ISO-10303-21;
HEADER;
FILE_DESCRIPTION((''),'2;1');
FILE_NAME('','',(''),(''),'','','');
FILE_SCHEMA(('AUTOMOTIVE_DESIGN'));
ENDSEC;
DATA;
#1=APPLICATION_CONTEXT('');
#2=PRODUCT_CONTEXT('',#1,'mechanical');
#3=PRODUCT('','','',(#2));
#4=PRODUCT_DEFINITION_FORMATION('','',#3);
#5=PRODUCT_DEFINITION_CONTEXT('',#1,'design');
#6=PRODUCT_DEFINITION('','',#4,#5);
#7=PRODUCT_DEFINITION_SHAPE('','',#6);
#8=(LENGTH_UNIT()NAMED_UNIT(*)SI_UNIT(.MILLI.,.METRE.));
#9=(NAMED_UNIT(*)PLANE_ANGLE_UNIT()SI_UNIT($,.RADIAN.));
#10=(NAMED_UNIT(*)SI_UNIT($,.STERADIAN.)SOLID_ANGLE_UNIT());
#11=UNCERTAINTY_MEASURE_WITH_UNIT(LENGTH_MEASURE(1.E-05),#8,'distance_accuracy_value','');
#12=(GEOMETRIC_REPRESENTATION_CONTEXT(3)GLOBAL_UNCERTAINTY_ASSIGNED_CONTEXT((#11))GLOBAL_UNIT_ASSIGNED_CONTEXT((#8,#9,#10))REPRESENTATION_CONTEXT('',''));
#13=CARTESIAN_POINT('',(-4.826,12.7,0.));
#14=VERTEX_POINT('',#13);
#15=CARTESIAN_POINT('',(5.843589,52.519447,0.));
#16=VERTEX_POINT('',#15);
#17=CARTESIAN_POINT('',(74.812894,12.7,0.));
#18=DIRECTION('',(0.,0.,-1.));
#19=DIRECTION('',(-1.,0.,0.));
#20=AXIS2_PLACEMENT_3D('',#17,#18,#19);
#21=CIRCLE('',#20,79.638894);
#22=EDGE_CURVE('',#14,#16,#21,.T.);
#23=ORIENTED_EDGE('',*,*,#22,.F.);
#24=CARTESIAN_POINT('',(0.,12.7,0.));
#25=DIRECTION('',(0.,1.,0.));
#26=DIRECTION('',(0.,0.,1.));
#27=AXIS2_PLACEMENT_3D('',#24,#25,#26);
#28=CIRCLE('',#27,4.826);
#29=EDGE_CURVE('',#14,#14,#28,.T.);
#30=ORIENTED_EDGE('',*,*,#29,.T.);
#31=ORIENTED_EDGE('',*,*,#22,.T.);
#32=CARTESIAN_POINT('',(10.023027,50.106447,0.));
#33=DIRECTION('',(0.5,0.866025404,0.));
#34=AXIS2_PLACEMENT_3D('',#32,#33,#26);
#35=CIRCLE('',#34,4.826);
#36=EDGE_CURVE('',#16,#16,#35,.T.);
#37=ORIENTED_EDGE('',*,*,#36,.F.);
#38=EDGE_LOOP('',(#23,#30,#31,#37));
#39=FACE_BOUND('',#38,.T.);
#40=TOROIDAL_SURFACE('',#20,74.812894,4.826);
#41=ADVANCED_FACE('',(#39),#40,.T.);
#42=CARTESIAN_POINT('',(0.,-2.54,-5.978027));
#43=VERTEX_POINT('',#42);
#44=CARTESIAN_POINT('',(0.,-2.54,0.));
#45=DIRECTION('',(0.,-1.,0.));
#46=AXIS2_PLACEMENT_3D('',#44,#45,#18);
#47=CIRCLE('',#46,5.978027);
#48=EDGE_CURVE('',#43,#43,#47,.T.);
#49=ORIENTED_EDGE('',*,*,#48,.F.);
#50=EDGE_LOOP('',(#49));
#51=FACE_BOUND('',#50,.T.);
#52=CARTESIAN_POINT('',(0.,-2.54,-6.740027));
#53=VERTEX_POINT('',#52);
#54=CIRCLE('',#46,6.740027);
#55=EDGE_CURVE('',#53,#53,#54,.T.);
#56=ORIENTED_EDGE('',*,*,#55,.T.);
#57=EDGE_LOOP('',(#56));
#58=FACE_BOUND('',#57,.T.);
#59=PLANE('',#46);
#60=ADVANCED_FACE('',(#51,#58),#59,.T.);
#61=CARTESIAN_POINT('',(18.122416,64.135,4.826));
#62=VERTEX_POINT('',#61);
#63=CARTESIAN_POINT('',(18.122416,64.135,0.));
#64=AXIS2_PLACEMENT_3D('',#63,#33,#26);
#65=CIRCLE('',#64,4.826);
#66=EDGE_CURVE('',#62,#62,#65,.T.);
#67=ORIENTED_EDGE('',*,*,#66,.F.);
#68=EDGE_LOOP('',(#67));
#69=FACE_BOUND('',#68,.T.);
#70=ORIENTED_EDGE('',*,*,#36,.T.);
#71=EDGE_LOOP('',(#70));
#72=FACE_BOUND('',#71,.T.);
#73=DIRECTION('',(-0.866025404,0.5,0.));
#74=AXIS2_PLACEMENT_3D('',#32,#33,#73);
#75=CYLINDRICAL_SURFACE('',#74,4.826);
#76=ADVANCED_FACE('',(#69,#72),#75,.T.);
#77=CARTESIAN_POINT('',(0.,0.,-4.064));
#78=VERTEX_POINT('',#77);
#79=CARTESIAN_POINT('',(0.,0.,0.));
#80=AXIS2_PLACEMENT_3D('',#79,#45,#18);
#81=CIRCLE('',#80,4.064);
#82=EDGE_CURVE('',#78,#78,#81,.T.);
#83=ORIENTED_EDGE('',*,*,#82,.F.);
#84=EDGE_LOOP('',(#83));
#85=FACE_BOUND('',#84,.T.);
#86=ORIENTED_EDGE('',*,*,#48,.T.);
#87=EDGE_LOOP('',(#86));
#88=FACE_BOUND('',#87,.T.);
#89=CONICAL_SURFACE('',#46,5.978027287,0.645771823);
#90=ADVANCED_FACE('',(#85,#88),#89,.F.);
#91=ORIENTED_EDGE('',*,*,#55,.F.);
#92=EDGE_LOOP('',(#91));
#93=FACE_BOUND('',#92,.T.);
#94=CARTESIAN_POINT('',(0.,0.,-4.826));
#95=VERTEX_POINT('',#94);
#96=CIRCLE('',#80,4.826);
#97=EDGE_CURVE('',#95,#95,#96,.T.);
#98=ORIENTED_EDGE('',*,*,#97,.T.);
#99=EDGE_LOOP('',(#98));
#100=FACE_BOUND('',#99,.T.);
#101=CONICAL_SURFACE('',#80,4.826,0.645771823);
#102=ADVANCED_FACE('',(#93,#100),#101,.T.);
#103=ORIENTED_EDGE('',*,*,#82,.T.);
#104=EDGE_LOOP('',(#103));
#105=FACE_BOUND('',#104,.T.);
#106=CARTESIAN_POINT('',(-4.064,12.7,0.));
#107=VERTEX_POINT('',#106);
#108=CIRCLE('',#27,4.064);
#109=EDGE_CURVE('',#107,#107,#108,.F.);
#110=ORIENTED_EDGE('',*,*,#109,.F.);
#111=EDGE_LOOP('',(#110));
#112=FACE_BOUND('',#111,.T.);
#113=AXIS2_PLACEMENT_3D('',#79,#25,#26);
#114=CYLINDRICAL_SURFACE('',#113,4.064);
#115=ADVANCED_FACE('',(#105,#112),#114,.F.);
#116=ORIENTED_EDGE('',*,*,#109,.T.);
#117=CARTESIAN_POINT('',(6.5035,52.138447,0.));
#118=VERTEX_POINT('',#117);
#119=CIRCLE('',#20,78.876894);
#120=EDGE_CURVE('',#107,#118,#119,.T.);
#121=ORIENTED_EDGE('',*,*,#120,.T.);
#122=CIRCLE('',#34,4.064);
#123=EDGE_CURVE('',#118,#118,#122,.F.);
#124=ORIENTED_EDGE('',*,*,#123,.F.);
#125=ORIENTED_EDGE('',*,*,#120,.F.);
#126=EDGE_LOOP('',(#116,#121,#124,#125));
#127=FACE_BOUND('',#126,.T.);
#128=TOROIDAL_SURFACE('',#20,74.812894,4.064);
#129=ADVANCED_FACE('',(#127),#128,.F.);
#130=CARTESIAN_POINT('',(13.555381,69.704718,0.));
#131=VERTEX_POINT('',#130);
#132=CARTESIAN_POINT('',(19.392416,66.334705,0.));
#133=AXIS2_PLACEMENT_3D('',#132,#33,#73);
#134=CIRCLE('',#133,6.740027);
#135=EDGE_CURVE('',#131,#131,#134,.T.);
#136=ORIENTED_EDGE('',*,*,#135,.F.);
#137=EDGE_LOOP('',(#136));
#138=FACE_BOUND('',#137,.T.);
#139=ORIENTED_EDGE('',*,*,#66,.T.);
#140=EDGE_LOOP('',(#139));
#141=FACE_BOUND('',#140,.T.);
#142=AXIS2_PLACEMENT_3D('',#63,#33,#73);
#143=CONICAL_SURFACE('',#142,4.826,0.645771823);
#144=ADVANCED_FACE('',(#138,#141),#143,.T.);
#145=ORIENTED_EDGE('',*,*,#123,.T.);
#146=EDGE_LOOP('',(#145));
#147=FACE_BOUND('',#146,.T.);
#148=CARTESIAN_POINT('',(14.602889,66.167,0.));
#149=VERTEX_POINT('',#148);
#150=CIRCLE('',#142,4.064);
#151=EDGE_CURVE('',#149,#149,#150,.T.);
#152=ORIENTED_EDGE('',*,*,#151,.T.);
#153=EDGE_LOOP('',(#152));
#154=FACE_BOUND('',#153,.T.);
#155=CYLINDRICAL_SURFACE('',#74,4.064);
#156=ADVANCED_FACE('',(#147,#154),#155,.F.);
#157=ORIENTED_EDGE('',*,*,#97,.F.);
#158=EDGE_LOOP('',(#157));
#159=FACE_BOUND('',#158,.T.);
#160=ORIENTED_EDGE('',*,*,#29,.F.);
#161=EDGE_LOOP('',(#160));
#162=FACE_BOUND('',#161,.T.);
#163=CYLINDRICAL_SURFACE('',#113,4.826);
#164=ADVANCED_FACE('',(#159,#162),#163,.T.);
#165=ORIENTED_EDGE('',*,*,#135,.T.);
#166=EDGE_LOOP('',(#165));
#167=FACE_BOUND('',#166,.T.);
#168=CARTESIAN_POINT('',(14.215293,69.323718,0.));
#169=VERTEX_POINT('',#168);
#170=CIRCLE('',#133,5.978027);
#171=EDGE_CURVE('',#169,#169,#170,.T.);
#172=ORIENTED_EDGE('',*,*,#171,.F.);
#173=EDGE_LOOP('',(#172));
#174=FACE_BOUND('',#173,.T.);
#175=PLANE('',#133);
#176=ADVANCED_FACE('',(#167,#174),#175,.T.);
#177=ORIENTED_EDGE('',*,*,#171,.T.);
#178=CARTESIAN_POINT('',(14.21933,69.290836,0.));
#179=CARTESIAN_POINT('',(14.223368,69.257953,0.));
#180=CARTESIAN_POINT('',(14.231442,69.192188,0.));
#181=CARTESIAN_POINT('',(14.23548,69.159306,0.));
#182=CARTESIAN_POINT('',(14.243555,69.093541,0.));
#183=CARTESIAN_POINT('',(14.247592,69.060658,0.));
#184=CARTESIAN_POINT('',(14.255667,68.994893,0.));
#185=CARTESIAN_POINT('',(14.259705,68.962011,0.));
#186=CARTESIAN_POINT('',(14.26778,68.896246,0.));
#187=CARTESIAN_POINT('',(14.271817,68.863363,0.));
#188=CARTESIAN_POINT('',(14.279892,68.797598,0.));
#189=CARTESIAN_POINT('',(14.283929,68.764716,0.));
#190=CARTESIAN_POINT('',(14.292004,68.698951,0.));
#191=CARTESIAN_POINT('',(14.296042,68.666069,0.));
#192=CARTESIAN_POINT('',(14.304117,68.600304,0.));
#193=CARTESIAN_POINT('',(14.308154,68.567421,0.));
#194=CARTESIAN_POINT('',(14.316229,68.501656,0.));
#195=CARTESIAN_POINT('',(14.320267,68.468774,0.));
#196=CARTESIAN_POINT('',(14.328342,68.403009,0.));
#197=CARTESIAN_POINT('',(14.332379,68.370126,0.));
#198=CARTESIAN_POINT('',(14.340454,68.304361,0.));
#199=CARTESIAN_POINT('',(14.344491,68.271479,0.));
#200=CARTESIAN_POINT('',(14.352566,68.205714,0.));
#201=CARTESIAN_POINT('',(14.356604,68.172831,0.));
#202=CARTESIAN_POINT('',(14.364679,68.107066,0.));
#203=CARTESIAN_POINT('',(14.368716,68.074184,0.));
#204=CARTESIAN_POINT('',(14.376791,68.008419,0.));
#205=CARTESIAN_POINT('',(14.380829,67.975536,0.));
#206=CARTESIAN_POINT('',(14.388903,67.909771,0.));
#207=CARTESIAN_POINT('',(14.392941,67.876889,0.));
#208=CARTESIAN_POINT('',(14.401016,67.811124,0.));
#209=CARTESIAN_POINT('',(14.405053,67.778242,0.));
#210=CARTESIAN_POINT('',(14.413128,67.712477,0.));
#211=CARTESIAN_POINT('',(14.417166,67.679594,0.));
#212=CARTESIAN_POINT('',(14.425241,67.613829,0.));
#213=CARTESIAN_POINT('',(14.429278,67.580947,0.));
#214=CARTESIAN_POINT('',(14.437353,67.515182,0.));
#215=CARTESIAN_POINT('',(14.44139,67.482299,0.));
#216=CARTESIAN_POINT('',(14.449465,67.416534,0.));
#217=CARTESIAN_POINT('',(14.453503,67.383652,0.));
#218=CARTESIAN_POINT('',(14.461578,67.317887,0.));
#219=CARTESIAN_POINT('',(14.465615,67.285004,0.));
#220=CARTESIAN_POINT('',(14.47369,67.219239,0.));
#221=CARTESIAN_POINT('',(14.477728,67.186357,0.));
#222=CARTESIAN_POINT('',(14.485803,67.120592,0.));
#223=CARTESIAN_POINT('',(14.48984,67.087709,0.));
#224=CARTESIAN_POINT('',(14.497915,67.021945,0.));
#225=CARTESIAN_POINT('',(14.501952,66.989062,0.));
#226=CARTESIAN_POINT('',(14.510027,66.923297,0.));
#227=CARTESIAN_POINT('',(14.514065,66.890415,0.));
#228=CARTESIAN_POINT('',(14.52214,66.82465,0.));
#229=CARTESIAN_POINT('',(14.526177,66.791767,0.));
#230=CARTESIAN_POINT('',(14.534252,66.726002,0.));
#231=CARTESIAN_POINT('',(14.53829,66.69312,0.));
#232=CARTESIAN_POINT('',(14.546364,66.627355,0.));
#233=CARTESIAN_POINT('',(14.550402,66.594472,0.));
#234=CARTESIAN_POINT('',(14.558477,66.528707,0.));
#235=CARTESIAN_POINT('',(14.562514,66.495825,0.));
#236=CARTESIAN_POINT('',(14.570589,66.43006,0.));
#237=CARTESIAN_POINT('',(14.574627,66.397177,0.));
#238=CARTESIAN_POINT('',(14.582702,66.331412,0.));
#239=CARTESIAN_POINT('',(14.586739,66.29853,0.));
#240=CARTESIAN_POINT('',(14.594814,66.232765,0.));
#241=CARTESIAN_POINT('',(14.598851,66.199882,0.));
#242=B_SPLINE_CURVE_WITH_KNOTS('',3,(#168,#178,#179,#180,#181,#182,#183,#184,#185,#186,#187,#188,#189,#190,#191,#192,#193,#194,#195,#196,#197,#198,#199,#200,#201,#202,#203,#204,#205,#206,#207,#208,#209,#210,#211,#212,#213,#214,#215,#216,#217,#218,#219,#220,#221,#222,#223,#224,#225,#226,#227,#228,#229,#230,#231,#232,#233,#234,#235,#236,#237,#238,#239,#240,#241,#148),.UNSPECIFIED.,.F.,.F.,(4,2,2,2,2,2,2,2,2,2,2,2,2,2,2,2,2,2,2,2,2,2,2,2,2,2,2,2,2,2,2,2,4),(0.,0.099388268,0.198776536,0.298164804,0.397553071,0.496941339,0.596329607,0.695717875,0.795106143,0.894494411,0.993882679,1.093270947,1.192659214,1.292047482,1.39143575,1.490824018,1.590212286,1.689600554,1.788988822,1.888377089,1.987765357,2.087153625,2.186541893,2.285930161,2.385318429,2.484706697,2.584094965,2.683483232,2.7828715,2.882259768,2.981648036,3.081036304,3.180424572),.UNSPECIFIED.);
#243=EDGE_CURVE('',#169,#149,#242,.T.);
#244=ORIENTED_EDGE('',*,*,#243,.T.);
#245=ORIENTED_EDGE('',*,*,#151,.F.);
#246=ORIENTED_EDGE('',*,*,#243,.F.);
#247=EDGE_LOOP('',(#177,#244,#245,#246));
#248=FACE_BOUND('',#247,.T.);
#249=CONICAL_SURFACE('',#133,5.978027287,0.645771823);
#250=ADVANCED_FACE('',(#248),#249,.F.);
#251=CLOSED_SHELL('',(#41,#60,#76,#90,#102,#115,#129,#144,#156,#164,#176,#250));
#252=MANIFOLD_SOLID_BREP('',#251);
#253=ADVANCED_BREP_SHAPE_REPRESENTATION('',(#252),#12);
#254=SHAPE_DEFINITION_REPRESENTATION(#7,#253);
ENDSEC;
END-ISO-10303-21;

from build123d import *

# Parameters (mm, degrees)
SKETCH1_R           = 4.826
SKETCH1_R_2         = 4.064
SKETCH3_R           = 4.826
BOSS_EXTRUDE1_DEPTH = 2.54
BOSS_EXTRUDE1_DRAFT = -37
SKETCH5_R           = 4.826
BOSS_EXTRUDE2_DEPTH = 2.54
BOSS_EXTRUDE2_DRAFT = -37


with BuildPart() as part:
    # Sweep1: sweep along a path in Sketch2
    with BuildLine(Plane.XY) as sweep1_path:
        Line((0, 0), (0, 12.7))
        ThreePointArc((0, 12.7), (2.549187543, 32.063001763), (10.023027253, 50.106446956))
        Line((10.023027253, 50.106446956), (18.12241613, 64.135))
    # Sketch1 → Sweep1 (sweep)
    with BuildSketch(Plane(origin=(0, 0, 0), x_dir=(1, 0, 0), z_dir=(0, 1, 0))):
        Circle(SKETCH1_R)
        Circle(SKETCH1_R_2, mode=Mode.SUBTRACT)
    sweep(path=sweep1_path.line)


with BuildPart() as boss_extrude1_tool:
    # Sketch3 → Boss-Extrude1 (with draft: the straight prism first)
    with BuildSketch(Plane.XZ):
        with Locations(Location((0, 0, 0), (0, 0, 180))):
            Circle(SKETCH3_R)
    extrude(amount=BOSS_EXTRUDE1_DEPTH)
    # Boss-Extrude1: the draft: its side faces are tilted about the plane it starts from
    boss_extrude1_sides = [boss_extrude1_tool.faces().sort_by_distance(p)[0] for p in [
        (4.826, -1.27, 0),
    ]]
    draft(boss_extrude1_sides, Plane.XZ, BOSS_EXTRUDE1_DRAFT)


with BuildPart() as part_1:
    add(part.part)

    # Boss-Extrude1: add boss_extrude1_tool
    add(boss_extrude1_tool.part)

    # Cut-Extrude1 cone 1 section (through the dimple's axis) → Cut-Extrude1 (revolve, cut)
    with BuildSketch(Plane(origin=(0, -2.54, 0), x_dir=(0, 0, -1), z_dir=(1, 0, 0))):
        Polygon((0, 0), (5.978027287, 0), (0, 7.933110155), align=None)
    revolve(axis=Axis((0, -2.54, 0), (0, 1, 0)), mode=Mode.SUBTRACT)


with BuildPart() as boss_extrude2_tool:
    # Sketch5 → Boss-Extrude2 (with draft: the straight prism first)
    with BuildSketch(Plane(origin=(32.301873668, 55.948486373, 0), x_dir=(0, 0, -1), z_dir=(0.5000000000000008, 0.8660254037844382, 0))):
        with Locations(Location((0, 16.373027253, 0), (0, 0, 90))):
            Circle(SKETCH5_R)
    extrude(amount=BOSS_EXTRUDE2_DEPTH)
    # Boss-Extrude2: the draft: its side faces are tilted about the plane it starts from
    boss_extrude2_sides = [boss_extrude2_tool.faces().sort_by_distance(p)[0] for p in [
        (22.936854729, 62.821852263, 0),
    ]]
    draft(boss_extrude2_sides, Plane(origin=(32.301873668, 55.948486373, 0), x_dir=(0, 0, -1), z_dir=(0.5000000000000008, 0.8660254037844382, 0)), BOSS_EXTRUDE2_DRAFT)


with BuildPart() as part_2:
    add(part_1.part)

    # Boss-Extrude2: add boss_extrude2_tool
    add(boss_extrude2_tool.part)

    # Cut-Extrude2 cone 1 section (through the dimple's axis) → Cut-Extrude2 (revolve, cut)
    with BuildSketch(Plane(origin=(19.39241613, 66.334704526, 0), x_dir=(0, 0, 1), z_dir=(0.866025404, -0.5, 0))):
        Polygon((0, 0), (5.978027287, 0), (0, 7.933110155), align=None)
    revolve(axis=Axis((19.39241613, 66.334704526, 0), (-0.5, -0.866025404, 0)), mode=Mode.SUBTRACT)


solid = part_2.part
